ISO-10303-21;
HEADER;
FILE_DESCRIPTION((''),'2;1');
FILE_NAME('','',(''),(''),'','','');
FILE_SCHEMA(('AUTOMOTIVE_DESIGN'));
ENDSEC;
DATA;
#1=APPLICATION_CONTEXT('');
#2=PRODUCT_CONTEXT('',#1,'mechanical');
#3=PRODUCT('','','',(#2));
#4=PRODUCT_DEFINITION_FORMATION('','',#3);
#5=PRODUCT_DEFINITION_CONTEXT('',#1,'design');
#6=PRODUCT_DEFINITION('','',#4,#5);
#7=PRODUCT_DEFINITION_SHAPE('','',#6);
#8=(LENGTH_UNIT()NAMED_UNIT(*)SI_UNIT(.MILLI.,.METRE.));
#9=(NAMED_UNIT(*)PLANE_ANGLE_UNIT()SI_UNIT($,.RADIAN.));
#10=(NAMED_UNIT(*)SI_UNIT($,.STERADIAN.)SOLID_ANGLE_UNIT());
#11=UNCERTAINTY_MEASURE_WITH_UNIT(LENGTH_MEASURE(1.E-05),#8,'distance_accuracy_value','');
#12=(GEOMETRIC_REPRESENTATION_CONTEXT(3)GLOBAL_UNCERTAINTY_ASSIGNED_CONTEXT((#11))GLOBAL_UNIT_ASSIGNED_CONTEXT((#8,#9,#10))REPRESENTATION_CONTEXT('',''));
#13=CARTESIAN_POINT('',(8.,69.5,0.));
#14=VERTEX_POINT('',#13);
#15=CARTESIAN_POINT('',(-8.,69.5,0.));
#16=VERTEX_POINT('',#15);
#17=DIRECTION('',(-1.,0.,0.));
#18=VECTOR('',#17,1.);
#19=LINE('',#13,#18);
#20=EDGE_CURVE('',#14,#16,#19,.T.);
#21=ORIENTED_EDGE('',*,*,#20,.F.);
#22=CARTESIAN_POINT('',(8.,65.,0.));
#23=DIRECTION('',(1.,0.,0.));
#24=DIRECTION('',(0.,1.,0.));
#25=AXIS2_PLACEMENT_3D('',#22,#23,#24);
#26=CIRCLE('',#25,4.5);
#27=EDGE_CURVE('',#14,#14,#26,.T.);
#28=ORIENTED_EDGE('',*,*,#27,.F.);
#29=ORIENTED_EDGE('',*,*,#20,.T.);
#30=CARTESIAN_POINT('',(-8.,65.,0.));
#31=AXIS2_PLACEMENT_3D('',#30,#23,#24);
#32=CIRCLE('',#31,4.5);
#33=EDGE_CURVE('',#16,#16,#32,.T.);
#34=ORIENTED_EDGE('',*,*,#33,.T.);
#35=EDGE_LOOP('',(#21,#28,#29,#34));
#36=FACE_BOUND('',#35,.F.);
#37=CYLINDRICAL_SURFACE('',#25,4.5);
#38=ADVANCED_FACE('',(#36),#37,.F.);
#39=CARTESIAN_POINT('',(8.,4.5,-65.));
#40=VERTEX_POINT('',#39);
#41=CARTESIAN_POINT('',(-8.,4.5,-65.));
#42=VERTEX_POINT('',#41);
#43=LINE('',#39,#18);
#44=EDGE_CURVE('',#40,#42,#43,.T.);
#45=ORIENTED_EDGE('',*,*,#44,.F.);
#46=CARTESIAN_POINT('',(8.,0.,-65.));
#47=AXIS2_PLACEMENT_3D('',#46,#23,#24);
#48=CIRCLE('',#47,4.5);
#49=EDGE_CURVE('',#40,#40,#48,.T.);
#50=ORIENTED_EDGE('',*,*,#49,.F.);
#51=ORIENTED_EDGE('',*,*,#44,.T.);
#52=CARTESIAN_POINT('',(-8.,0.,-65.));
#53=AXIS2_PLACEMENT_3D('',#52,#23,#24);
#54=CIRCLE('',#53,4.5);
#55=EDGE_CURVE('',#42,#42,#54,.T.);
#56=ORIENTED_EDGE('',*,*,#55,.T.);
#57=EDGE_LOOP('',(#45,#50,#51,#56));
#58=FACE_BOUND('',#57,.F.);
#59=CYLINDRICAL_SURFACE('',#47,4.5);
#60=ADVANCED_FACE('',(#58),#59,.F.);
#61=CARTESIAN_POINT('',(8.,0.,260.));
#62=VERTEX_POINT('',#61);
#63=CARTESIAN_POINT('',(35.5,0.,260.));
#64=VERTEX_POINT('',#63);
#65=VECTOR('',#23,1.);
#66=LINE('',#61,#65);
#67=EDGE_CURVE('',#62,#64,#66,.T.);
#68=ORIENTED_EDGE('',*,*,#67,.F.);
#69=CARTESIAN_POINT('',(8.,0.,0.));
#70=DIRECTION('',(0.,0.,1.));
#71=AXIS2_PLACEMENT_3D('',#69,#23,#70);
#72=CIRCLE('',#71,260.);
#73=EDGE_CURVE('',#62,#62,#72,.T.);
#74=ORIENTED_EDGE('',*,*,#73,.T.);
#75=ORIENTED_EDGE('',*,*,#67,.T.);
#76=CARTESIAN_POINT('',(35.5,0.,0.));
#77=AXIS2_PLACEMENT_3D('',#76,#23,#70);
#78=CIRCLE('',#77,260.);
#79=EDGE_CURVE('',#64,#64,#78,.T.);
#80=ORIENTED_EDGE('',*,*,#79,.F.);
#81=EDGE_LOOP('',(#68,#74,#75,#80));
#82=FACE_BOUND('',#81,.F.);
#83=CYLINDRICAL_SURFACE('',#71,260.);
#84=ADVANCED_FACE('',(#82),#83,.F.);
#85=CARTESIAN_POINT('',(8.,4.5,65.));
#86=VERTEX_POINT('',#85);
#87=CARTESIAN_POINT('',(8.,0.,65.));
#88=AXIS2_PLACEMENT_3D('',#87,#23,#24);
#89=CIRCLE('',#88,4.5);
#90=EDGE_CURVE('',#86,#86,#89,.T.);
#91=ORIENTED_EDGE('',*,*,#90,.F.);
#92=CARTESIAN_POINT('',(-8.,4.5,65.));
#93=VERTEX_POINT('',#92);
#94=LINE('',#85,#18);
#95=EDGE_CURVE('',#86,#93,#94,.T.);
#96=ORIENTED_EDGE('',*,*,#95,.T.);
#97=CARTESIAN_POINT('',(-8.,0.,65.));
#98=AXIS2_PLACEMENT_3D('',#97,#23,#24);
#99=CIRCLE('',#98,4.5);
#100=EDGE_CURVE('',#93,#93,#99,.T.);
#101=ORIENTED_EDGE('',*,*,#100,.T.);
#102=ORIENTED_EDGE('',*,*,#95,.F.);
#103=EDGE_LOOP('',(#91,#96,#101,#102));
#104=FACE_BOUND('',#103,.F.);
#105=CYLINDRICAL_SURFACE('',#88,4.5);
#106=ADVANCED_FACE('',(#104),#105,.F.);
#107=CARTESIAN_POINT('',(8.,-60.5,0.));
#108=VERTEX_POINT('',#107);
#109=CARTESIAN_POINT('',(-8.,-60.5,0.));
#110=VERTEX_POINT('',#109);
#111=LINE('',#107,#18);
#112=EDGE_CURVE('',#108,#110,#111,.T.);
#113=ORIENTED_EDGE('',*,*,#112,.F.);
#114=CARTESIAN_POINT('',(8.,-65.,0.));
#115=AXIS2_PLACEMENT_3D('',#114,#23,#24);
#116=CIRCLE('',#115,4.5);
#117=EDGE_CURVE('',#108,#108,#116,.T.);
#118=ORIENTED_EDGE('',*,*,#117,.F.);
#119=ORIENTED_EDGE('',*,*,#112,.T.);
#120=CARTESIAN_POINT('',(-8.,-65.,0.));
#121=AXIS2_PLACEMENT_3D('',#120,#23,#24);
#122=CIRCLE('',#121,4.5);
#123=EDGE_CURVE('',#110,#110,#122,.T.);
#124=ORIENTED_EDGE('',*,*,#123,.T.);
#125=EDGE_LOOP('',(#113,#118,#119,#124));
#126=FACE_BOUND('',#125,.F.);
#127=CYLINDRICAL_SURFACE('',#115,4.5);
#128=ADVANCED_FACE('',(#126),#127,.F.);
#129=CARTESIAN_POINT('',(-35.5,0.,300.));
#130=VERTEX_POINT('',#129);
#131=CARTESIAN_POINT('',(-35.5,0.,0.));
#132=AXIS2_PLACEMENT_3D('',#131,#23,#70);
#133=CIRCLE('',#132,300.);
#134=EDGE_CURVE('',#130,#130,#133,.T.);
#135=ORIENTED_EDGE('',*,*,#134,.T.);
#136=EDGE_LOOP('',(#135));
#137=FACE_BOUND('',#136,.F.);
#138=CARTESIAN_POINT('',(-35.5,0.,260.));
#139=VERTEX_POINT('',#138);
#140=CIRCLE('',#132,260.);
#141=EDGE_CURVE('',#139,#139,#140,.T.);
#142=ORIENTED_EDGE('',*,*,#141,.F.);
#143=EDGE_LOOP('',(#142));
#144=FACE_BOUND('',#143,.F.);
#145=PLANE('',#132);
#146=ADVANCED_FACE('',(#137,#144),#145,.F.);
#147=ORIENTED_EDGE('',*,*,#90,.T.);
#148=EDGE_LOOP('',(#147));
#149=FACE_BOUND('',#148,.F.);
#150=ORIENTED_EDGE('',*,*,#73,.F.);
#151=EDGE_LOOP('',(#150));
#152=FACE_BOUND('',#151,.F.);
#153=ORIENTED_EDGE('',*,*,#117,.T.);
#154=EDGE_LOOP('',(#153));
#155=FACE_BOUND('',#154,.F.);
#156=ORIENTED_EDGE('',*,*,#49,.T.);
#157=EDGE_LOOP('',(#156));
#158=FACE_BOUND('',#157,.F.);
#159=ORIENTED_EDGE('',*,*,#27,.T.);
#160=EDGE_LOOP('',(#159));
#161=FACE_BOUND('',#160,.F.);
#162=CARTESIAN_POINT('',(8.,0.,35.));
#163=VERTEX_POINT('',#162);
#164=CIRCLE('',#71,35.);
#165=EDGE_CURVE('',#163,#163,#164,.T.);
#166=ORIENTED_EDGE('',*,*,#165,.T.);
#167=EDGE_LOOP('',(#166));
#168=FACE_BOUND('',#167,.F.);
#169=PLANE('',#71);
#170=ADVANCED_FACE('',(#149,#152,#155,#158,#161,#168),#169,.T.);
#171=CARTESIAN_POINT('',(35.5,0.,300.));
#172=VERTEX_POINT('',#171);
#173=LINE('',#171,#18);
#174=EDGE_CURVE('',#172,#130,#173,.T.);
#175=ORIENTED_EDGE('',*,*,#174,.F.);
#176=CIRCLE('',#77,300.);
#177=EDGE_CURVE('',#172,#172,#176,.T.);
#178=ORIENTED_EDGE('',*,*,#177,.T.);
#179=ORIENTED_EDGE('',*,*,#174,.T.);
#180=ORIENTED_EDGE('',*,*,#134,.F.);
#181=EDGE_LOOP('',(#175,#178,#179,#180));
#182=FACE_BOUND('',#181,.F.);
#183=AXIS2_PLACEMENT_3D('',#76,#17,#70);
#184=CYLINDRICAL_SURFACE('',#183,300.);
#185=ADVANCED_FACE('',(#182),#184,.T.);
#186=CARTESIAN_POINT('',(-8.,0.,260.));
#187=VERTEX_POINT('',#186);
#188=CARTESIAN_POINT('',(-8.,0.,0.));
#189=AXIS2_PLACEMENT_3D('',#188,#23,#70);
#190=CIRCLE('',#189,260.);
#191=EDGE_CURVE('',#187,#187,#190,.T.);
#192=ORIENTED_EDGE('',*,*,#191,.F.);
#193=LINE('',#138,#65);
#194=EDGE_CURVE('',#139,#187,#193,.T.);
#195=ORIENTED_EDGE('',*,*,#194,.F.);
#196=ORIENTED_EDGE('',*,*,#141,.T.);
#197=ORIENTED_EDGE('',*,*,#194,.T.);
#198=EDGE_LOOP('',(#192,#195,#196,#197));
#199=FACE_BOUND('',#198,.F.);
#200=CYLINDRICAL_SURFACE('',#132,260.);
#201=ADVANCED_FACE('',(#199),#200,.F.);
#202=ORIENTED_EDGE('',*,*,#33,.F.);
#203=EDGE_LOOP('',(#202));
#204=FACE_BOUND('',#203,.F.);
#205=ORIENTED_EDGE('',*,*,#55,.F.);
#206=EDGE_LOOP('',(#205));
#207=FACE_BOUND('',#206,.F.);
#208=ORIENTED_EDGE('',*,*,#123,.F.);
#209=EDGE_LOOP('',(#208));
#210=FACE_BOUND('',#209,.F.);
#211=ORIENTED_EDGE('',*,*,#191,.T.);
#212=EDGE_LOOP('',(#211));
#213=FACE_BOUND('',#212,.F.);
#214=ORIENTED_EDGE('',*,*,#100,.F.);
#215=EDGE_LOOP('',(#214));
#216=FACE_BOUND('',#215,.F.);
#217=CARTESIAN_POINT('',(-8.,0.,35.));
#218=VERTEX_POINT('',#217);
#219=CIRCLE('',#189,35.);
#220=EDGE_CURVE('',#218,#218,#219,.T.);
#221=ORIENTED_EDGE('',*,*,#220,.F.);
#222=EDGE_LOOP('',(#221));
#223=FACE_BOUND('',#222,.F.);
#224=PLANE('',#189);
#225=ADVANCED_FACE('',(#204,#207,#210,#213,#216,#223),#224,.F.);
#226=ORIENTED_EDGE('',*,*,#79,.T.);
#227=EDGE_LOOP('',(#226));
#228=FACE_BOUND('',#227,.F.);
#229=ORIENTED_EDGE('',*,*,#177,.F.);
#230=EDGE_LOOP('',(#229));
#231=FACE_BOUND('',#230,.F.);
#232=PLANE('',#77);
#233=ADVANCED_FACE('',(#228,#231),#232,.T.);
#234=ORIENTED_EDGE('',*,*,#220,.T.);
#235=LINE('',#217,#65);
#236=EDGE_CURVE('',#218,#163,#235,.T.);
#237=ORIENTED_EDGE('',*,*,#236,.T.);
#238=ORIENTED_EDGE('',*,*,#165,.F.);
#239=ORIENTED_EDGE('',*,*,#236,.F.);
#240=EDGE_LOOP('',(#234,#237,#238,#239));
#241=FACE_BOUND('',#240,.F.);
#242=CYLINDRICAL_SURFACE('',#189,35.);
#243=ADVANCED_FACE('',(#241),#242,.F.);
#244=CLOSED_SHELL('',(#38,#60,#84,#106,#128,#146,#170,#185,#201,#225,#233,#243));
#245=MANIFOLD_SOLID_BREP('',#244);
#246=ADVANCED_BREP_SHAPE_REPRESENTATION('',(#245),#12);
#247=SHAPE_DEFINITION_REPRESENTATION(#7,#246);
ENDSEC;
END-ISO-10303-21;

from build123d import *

# Parameters (mm, degrees)
F2_R     = 4.5
F3_DEPTH = 25


with BuildPart() as f1:
    # F0 (on Front) → F1 (revolve)
    with BuildSketch(Plane.XZ):
        Polygon((-8, 35), (0, 35), (8, 35), (8, 260), (35.5, 260), (35.5, 300), (0, 300), (-35.5, 300), (-35.5, 260), (-8, 260), align=None)
    revolve(axis=Axis((56.93949, 0, 0), (1, 0, 0)))

    # F2 (on face) → F3 (cut)
    with BuildSketch(Plane.YZ.offset(8)):
        with Locations((0, 65)):
            Circle(F2_R)
        with Locations((-65, 0)):
            Circle(F2_R)
        with Locations((0, -65)):
            Circle(F2_R)
        with Locations((65, 0)):
            Circle(F2_R)
    extrude(amount=-F3_DEPTH, mode=Mode.SUBTRACT)


solid = f1.part
